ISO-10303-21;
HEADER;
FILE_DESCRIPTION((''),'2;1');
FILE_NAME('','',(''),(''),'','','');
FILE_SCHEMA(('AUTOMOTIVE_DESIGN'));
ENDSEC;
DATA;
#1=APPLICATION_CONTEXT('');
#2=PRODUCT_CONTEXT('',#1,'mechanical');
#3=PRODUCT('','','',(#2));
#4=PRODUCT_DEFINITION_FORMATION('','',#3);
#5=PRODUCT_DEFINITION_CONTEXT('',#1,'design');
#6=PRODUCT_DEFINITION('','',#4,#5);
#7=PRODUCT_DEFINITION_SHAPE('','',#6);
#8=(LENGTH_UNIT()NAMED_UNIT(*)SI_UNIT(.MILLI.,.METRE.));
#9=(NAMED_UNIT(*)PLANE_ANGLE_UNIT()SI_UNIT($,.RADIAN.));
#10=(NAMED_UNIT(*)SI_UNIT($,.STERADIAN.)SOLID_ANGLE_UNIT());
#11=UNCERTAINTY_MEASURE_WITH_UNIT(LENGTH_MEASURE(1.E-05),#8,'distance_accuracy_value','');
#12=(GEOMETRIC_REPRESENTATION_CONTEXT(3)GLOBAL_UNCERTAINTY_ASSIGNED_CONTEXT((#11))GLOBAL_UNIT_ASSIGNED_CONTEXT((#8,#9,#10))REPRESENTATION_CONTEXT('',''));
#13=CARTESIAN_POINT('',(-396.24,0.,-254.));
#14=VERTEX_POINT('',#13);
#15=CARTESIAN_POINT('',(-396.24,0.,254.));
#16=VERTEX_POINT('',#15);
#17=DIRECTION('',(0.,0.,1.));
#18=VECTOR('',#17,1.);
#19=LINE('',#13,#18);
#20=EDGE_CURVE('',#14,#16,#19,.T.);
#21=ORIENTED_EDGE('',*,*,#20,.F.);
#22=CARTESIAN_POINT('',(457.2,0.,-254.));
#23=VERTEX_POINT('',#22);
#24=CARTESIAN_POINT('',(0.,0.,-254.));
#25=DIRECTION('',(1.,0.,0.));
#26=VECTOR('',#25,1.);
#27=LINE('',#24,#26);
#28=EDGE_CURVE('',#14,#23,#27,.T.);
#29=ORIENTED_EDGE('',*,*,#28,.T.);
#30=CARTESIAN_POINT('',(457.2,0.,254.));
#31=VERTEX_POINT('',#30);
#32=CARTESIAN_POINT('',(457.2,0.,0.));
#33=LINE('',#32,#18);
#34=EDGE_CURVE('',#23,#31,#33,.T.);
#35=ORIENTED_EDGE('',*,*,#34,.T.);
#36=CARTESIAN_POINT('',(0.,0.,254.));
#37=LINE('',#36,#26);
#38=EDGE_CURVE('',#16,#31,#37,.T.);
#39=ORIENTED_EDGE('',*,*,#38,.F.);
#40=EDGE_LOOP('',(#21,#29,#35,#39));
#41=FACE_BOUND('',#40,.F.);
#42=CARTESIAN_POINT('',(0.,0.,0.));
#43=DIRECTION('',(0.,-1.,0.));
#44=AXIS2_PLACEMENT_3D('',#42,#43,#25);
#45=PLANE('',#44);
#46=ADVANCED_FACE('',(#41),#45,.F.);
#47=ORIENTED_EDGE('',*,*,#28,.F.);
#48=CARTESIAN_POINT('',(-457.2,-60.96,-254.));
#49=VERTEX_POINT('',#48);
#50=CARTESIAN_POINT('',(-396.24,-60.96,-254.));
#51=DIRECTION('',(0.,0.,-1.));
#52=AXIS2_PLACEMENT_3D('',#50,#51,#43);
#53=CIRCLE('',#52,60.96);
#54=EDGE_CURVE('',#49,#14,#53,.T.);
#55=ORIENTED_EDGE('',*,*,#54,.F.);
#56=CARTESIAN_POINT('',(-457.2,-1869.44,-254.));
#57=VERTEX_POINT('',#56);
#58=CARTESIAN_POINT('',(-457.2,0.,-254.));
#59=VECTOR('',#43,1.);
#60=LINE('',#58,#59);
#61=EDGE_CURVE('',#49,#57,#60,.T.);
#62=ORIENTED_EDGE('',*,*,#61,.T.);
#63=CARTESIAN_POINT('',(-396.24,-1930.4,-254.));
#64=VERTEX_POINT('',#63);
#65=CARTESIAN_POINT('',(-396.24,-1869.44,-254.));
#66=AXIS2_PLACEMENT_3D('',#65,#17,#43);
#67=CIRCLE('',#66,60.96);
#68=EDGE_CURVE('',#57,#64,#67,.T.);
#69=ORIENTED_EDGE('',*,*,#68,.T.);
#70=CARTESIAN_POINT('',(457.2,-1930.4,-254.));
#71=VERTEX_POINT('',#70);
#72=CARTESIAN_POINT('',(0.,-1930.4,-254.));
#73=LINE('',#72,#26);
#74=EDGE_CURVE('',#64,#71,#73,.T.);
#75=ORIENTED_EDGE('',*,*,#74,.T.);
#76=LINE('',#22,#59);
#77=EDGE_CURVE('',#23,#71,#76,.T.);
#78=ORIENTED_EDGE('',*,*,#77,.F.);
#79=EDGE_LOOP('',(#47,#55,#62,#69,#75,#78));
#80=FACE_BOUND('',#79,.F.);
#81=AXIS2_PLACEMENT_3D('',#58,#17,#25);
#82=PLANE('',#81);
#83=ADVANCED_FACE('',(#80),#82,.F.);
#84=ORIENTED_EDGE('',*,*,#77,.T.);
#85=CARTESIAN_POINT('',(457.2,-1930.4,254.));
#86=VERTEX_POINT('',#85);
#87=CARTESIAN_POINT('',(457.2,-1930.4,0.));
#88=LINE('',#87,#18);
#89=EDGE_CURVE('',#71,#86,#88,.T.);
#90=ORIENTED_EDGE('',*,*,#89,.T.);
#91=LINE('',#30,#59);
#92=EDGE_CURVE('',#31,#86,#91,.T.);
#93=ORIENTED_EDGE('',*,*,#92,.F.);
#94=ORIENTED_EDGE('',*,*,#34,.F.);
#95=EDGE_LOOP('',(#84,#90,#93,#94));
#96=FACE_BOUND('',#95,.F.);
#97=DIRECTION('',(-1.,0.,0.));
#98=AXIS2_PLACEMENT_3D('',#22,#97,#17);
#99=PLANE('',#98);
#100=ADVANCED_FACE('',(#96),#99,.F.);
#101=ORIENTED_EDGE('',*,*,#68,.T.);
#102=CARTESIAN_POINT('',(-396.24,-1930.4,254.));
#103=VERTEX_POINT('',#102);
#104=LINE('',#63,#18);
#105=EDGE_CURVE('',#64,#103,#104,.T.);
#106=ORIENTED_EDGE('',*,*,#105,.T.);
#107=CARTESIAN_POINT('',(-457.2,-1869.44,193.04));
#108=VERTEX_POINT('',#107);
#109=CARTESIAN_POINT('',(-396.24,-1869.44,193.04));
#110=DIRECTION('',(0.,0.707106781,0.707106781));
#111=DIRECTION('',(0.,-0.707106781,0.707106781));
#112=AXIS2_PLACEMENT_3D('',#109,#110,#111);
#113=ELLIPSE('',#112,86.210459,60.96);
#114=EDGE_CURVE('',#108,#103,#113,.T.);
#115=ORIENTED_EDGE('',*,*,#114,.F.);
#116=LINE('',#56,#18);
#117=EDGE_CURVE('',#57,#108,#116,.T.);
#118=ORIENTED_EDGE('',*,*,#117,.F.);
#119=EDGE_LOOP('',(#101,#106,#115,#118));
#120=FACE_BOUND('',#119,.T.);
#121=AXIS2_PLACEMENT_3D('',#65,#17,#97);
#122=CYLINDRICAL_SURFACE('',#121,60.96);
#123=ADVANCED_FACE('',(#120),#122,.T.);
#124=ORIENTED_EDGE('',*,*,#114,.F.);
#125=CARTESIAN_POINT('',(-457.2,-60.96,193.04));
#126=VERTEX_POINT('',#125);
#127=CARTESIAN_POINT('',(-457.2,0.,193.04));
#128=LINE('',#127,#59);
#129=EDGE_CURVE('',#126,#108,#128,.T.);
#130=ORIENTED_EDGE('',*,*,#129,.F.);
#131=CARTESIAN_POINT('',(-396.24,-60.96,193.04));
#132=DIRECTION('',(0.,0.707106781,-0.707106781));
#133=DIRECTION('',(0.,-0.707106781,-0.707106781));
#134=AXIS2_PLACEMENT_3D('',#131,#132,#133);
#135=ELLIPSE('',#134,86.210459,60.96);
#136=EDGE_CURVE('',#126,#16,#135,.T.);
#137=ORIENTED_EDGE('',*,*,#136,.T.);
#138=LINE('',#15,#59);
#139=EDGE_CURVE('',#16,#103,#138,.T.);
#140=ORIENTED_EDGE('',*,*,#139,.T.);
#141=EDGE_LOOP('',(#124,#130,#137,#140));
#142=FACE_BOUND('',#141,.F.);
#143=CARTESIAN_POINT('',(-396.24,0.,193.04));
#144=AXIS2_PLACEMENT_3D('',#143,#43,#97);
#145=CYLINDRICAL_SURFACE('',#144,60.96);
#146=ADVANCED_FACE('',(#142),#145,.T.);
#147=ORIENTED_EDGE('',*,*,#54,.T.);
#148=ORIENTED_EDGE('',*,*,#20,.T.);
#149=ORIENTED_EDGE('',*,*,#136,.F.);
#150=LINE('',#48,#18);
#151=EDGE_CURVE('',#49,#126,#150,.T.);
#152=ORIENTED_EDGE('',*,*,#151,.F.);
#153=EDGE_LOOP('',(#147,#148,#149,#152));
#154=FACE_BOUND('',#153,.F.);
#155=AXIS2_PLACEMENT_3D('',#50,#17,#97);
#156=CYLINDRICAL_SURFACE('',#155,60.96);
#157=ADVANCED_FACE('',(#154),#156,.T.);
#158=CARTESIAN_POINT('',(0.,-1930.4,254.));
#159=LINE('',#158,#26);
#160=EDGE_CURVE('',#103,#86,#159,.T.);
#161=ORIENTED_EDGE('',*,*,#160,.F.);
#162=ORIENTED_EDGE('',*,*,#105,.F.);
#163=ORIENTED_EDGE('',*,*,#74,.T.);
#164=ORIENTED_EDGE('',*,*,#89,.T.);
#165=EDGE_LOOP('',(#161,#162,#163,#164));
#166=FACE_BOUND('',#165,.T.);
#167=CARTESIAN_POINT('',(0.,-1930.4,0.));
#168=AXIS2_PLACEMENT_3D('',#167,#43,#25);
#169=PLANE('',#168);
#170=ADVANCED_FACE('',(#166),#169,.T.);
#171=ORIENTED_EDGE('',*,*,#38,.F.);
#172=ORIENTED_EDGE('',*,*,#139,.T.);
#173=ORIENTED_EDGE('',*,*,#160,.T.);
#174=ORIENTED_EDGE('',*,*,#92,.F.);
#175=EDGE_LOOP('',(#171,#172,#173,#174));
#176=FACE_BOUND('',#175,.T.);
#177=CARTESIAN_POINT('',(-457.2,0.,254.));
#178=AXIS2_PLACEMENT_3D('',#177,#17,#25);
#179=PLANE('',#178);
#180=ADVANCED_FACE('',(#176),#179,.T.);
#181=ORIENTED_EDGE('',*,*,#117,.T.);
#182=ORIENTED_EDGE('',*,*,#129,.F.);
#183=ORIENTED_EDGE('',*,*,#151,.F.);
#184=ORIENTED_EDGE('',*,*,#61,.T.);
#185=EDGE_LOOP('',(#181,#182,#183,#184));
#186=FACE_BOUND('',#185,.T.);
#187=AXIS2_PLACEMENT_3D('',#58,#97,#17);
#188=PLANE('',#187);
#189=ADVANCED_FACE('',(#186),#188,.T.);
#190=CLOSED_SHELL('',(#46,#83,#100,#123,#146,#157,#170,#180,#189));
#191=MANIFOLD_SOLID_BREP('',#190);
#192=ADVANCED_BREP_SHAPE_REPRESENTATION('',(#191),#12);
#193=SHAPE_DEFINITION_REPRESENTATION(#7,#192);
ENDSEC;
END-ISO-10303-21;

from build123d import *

# Parameters (mm, degrees)
F0_W     = 914.4
F0_H     = 508
F1_DEPTH = 1930.4
F2_R     = 60.96


with BuildPart() as f1:
    # F0 (on Front) → F1 (new body)
    with BuildSketch(Plane.XZ):
        Rectangle(F0_W, F0_H)
    extrude(amount=F1_DEPTH)

    # F2
    f2_edges = [f1.edges().sort_by_distance(p)[0] for p in [
        (-457.2, -965.2, 254),
        (-457.2, -1930.4, 0),
        (-457.2, 0, 0),
    ]]
    fillet(f2_edges, radius=F2_R)


solid = f1.part
